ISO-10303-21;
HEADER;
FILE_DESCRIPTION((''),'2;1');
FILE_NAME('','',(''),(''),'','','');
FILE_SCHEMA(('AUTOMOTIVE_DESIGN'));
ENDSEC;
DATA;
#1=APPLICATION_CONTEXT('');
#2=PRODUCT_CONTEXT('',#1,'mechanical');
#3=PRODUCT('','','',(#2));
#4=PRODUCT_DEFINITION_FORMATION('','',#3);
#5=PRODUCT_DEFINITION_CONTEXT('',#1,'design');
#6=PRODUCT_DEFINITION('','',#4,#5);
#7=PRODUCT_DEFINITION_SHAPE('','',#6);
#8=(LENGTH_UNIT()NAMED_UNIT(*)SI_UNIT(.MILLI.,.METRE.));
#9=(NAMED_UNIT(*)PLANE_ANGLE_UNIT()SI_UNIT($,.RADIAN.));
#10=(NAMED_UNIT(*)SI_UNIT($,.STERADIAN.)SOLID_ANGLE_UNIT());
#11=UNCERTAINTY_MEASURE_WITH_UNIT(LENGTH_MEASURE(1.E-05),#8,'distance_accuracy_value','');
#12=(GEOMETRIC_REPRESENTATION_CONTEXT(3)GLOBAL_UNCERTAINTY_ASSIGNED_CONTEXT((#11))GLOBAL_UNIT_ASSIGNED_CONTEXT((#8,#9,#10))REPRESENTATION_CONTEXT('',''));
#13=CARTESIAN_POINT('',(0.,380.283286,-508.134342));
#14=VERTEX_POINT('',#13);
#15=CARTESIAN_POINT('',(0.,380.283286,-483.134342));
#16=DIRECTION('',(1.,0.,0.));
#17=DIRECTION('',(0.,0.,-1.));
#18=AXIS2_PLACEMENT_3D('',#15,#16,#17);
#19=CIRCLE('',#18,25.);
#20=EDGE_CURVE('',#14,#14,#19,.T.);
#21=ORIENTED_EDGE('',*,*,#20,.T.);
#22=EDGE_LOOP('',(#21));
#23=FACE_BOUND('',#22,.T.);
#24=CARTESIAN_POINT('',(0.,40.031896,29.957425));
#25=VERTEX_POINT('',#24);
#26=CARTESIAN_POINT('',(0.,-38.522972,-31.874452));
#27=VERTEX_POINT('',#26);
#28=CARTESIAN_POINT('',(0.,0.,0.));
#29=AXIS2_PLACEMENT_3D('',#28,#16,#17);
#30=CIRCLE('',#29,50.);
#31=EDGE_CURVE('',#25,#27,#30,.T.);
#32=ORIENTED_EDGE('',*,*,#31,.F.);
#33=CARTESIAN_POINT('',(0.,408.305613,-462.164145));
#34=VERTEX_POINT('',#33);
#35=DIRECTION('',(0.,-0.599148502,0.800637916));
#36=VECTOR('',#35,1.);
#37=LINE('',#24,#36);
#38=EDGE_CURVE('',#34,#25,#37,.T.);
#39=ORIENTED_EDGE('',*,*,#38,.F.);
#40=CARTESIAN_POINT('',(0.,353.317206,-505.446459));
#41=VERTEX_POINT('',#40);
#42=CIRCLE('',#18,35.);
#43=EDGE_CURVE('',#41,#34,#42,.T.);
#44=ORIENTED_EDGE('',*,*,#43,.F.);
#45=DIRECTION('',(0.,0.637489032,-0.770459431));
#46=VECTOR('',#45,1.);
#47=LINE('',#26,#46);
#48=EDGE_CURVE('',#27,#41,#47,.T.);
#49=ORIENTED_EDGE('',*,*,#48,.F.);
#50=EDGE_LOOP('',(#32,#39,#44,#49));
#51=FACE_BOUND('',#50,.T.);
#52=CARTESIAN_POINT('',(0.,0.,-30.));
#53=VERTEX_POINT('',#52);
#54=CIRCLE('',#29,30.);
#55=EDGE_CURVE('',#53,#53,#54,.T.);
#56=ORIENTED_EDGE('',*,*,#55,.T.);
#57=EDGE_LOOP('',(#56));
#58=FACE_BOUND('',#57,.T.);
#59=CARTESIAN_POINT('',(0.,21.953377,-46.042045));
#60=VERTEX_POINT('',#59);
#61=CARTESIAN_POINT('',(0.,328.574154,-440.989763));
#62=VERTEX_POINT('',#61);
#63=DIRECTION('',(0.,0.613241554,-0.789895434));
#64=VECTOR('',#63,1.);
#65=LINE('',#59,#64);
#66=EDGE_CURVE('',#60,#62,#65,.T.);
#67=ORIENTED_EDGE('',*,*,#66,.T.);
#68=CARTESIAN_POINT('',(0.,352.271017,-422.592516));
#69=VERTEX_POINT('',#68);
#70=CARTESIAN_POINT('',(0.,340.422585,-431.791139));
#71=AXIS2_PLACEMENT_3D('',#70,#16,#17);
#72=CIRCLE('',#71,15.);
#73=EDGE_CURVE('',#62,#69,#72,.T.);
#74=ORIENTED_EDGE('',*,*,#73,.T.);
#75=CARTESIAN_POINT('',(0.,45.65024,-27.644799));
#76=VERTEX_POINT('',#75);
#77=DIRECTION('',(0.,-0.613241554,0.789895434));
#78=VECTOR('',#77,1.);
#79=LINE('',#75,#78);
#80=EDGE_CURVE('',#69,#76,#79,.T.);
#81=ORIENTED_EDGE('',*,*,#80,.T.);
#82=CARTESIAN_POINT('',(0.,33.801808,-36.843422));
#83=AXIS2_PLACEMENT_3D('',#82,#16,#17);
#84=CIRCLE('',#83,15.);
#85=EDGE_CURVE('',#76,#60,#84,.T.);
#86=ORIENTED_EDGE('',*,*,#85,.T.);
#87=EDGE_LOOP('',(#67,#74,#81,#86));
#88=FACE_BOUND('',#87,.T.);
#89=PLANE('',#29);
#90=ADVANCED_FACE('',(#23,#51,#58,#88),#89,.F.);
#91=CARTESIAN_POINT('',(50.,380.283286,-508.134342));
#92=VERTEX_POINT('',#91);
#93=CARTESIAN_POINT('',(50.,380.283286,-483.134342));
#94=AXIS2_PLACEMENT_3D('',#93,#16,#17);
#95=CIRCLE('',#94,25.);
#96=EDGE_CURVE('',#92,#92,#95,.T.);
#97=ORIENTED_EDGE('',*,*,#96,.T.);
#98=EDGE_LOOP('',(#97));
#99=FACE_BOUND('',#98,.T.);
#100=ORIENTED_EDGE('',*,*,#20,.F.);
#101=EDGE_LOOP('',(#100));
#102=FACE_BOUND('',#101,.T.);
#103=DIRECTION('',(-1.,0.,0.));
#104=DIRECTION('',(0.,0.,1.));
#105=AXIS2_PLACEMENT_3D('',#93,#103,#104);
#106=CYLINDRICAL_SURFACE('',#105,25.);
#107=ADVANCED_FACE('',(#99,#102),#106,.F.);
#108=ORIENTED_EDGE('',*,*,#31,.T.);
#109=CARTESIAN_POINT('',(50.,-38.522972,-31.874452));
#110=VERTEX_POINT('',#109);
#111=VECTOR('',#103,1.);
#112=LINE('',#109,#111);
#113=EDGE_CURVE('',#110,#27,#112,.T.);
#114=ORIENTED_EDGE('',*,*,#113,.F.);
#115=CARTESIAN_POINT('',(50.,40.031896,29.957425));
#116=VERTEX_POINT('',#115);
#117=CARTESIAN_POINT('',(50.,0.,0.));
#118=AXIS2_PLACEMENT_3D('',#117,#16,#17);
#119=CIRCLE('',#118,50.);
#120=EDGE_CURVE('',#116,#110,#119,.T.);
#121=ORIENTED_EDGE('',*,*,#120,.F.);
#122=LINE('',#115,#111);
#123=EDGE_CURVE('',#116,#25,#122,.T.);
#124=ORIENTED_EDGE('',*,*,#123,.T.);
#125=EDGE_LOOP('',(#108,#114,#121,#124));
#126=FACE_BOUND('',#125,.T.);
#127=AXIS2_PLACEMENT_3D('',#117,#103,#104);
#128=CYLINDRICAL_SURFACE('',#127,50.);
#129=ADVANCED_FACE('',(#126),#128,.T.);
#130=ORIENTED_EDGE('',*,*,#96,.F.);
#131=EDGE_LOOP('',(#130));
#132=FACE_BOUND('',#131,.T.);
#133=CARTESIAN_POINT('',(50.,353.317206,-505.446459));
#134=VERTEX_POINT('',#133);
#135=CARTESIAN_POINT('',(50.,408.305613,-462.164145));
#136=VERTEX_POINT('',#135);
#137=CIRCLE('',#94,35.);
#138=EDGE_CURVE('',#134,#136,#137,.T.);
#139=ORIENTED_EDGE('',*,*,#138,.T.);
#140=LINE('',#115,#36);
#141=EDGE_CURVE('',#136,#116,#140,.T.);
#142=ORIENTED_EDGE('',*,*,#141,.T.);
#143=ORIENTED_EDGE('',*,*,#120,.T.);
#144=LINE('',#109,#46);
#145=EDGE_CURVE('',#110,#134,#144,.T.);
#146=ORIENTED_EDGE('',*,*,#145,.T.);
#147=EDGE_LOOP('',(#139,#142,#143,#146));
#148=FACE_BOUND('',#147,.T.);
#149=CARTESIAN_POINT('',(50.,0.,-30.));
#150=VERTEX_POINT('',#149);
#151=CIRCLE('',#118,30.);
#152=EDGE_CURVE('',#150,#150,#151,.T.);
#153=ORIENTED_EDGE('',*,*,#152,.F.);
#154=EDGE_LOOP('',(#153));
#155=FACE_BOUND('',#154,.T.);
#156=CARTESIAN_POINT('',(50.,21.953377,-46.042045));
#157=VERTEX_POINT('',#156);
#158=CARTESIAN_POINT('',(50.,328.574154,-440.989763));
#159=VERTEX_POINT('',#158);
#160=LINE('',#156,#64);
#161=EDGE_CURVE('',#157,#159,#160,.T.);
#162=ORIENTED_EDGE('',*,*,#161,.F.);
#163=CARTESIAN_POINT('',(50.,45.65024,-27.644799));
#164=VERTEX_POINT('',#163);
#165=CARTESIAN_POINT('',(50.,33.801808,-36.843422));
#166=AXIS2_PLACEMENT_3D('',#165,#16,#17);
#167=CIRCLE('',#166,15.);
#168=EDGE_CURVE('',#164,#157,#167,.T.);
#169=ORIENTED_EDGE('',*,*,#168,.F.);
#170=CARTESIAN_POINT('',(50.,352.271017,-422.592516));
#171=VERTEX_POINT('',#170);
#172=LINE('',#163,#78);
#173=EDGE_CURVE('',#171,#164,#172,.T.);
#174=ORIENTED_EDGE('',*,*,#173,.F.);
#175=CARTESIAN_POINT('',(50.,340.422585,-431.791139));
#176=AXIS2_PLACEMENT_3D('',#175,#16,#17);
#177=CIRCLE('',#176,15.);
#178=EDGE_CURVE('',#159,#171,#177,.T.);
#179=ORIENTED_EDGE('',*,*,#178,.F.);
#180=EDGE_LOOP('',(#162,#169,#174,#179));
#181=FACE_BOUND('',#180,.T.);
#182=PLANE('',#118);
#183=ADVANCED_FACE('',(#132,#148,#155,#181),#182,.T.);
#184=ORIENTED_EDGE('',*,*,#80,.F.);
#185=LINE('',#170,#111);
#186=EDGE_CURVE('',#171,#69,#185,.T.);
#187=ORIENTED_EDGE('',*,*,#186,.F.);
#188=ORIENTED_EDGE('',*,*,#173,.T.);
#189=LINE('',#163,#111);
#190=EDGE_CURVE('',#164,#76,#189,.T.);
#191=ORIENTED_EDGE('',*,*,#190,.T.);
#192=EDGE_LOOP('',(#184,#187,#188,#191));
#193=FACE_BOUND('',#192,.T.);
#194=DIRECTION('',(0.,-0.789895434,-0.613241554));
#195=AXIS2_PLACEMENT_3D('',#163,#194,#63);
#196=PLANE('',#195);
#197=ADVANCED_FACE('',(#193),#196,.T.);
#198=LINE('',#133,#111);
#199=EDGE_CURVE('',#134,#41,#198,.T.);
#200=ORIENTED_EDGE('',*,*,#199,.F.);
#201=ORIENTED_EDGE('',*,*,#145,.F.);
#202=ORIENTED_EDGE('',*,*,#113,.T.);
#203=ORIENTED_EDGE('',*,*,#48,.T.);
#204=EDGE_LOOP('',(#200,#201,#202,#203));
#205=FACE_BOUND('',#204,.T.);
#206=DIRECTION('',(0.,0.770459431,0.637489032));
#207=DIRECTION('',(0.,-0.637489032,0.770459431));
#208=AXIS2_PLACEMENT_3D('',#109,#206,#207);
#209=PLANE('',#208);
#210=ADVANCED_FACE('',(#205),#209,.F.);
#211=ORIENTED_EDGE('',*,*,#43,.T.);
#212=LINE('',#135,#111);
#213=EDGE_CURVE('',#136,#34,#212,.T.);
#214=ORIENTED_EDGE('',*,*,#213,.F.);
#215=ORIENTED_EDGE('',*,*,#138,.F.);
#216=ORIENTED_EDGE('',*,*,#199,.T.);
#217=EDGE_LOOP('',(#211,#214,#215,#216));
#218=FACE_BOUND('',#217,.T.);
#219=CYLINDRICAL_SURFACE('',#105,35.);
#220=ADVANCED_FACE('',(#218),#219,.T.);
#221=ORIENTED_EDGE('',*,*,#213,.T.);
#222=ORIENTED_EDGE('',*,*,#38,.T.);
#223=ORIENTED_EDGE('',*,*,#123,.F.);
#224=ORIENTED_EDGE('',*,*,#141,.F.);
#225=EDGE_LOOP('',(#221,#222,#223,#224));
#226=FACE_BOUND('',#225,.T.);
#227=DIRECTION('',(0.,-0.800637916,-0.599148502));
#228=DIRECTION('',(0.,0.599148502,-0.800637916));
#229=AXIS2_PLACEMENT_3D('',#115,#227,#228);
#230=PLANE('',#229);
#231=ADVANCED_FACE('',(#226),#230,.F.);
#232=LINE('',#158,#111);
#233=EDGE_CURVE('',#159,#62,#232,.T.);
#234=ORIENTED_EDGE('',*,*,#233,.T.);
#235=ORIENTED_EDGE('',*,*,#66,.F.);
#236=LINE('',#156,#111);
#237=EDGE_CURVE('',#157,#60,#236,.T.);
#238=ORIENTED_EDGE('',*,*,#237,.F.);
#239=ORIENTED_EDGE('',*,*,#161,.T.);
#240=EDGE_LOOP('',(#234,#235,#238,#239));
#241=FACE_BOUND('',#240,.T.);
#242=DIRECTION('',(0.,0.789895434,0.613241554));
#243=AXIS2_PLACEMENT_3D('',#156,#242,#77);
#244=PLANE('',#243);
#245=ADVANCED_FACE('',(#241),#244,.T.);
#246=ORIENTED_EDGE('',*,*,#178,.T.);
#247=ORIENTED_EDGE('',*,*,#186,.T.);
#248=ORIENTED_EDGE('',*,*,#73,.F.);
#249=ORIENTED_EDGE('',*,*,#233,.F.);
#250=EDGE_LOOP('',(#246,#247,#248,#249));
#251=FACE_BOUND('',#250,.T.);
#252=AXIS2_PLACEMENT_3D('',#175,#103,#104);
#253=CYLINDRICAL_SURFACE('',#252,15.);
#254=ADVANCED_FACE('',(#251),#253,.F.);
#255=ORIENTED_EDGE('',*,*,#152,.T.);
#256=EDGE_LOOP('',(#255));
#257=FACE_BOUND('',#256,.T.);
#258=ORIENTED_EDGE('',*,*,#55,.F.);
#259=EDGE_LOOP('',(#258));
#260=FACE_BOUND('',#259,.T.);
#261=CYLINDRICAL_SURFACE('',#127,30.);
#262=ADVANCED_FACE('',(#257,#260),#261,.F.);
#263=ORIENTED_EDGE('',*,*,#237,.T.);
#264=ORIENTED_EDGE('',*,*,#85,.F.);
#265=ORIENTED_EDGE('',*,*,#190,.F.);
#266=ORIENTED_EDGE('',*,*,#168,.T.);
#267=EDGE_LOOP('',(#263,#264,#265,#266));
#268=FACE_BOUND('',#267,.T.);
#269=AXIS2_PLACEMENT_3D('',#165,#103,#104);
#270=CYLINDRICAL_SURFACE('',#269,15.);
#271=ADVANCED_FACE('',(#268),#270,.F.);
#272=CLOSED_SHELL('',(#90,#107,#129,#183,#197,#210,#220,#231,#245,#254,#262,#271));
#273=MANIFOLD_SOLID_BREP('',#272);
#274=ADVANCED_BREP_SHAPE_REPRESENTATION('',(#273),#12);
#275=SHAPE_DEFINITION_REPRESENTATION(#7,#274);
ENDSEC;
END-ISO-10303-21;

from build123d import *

# Parameters (mm, degrees)
IZIM1_R                     = 30
IZIM1_R_2                   = 25
Y_KSEKLIK_EKSTR_ZYON1_DEPTH = 50


with BuildPart() as part:
    # Çizim1 → Yükseklik-Ekstrüzyon1 (new body)
    with BuildSketch(Plane(origin=(0, 0, 0), x_dir=(0, 0, -1), z_dir=(1, 0, 0))):
        with BuildLine():
            Line((-29.957425106, 40.031895796), (462.164144906, 408.305613126))
            ThreePointArc((462.164144906, 408.305613126), (510.636731761, 401.930886023), (505.446458587, 353.317205989))
            Line((505.446458587, 353.317205989), (31.874451582, -38.522971541))
            ThreePointArc((31.874451582, -38.522971541), (-39.289127545, -30.925142793), (-29.957425106, 40.031895796))
        make_face()
        Circle(IZIM1_R, mode=Mode.SUBTRACT)
        with Locations((483.13434248, 380.283286068)):
            Circle(IZIM1_R_2, mode=Mode.SUBTRACT)
        with BuildLine():
            Line((27.64479889, 45.650239762), (422.592515956, 352.271016592))
            ThreePointArc((422.592515956, 352.271016592), (443.639570773, 349.621208385), (440.989762566, 328.574153568))
            Line((440.989762566, 328.574153568), (46.0420455, 21.953376738))
            ThreePointArc((46.0420455, 21.953376738), (24.994990683, 24.603184945), (27.64479889, 45.650239762))
        make_face(mode=Mode.SUBTRACT)
    extrude(amount=Y_KSEKLIK_EKSTR_ZYON1_DEPTH)


solid = part.part
